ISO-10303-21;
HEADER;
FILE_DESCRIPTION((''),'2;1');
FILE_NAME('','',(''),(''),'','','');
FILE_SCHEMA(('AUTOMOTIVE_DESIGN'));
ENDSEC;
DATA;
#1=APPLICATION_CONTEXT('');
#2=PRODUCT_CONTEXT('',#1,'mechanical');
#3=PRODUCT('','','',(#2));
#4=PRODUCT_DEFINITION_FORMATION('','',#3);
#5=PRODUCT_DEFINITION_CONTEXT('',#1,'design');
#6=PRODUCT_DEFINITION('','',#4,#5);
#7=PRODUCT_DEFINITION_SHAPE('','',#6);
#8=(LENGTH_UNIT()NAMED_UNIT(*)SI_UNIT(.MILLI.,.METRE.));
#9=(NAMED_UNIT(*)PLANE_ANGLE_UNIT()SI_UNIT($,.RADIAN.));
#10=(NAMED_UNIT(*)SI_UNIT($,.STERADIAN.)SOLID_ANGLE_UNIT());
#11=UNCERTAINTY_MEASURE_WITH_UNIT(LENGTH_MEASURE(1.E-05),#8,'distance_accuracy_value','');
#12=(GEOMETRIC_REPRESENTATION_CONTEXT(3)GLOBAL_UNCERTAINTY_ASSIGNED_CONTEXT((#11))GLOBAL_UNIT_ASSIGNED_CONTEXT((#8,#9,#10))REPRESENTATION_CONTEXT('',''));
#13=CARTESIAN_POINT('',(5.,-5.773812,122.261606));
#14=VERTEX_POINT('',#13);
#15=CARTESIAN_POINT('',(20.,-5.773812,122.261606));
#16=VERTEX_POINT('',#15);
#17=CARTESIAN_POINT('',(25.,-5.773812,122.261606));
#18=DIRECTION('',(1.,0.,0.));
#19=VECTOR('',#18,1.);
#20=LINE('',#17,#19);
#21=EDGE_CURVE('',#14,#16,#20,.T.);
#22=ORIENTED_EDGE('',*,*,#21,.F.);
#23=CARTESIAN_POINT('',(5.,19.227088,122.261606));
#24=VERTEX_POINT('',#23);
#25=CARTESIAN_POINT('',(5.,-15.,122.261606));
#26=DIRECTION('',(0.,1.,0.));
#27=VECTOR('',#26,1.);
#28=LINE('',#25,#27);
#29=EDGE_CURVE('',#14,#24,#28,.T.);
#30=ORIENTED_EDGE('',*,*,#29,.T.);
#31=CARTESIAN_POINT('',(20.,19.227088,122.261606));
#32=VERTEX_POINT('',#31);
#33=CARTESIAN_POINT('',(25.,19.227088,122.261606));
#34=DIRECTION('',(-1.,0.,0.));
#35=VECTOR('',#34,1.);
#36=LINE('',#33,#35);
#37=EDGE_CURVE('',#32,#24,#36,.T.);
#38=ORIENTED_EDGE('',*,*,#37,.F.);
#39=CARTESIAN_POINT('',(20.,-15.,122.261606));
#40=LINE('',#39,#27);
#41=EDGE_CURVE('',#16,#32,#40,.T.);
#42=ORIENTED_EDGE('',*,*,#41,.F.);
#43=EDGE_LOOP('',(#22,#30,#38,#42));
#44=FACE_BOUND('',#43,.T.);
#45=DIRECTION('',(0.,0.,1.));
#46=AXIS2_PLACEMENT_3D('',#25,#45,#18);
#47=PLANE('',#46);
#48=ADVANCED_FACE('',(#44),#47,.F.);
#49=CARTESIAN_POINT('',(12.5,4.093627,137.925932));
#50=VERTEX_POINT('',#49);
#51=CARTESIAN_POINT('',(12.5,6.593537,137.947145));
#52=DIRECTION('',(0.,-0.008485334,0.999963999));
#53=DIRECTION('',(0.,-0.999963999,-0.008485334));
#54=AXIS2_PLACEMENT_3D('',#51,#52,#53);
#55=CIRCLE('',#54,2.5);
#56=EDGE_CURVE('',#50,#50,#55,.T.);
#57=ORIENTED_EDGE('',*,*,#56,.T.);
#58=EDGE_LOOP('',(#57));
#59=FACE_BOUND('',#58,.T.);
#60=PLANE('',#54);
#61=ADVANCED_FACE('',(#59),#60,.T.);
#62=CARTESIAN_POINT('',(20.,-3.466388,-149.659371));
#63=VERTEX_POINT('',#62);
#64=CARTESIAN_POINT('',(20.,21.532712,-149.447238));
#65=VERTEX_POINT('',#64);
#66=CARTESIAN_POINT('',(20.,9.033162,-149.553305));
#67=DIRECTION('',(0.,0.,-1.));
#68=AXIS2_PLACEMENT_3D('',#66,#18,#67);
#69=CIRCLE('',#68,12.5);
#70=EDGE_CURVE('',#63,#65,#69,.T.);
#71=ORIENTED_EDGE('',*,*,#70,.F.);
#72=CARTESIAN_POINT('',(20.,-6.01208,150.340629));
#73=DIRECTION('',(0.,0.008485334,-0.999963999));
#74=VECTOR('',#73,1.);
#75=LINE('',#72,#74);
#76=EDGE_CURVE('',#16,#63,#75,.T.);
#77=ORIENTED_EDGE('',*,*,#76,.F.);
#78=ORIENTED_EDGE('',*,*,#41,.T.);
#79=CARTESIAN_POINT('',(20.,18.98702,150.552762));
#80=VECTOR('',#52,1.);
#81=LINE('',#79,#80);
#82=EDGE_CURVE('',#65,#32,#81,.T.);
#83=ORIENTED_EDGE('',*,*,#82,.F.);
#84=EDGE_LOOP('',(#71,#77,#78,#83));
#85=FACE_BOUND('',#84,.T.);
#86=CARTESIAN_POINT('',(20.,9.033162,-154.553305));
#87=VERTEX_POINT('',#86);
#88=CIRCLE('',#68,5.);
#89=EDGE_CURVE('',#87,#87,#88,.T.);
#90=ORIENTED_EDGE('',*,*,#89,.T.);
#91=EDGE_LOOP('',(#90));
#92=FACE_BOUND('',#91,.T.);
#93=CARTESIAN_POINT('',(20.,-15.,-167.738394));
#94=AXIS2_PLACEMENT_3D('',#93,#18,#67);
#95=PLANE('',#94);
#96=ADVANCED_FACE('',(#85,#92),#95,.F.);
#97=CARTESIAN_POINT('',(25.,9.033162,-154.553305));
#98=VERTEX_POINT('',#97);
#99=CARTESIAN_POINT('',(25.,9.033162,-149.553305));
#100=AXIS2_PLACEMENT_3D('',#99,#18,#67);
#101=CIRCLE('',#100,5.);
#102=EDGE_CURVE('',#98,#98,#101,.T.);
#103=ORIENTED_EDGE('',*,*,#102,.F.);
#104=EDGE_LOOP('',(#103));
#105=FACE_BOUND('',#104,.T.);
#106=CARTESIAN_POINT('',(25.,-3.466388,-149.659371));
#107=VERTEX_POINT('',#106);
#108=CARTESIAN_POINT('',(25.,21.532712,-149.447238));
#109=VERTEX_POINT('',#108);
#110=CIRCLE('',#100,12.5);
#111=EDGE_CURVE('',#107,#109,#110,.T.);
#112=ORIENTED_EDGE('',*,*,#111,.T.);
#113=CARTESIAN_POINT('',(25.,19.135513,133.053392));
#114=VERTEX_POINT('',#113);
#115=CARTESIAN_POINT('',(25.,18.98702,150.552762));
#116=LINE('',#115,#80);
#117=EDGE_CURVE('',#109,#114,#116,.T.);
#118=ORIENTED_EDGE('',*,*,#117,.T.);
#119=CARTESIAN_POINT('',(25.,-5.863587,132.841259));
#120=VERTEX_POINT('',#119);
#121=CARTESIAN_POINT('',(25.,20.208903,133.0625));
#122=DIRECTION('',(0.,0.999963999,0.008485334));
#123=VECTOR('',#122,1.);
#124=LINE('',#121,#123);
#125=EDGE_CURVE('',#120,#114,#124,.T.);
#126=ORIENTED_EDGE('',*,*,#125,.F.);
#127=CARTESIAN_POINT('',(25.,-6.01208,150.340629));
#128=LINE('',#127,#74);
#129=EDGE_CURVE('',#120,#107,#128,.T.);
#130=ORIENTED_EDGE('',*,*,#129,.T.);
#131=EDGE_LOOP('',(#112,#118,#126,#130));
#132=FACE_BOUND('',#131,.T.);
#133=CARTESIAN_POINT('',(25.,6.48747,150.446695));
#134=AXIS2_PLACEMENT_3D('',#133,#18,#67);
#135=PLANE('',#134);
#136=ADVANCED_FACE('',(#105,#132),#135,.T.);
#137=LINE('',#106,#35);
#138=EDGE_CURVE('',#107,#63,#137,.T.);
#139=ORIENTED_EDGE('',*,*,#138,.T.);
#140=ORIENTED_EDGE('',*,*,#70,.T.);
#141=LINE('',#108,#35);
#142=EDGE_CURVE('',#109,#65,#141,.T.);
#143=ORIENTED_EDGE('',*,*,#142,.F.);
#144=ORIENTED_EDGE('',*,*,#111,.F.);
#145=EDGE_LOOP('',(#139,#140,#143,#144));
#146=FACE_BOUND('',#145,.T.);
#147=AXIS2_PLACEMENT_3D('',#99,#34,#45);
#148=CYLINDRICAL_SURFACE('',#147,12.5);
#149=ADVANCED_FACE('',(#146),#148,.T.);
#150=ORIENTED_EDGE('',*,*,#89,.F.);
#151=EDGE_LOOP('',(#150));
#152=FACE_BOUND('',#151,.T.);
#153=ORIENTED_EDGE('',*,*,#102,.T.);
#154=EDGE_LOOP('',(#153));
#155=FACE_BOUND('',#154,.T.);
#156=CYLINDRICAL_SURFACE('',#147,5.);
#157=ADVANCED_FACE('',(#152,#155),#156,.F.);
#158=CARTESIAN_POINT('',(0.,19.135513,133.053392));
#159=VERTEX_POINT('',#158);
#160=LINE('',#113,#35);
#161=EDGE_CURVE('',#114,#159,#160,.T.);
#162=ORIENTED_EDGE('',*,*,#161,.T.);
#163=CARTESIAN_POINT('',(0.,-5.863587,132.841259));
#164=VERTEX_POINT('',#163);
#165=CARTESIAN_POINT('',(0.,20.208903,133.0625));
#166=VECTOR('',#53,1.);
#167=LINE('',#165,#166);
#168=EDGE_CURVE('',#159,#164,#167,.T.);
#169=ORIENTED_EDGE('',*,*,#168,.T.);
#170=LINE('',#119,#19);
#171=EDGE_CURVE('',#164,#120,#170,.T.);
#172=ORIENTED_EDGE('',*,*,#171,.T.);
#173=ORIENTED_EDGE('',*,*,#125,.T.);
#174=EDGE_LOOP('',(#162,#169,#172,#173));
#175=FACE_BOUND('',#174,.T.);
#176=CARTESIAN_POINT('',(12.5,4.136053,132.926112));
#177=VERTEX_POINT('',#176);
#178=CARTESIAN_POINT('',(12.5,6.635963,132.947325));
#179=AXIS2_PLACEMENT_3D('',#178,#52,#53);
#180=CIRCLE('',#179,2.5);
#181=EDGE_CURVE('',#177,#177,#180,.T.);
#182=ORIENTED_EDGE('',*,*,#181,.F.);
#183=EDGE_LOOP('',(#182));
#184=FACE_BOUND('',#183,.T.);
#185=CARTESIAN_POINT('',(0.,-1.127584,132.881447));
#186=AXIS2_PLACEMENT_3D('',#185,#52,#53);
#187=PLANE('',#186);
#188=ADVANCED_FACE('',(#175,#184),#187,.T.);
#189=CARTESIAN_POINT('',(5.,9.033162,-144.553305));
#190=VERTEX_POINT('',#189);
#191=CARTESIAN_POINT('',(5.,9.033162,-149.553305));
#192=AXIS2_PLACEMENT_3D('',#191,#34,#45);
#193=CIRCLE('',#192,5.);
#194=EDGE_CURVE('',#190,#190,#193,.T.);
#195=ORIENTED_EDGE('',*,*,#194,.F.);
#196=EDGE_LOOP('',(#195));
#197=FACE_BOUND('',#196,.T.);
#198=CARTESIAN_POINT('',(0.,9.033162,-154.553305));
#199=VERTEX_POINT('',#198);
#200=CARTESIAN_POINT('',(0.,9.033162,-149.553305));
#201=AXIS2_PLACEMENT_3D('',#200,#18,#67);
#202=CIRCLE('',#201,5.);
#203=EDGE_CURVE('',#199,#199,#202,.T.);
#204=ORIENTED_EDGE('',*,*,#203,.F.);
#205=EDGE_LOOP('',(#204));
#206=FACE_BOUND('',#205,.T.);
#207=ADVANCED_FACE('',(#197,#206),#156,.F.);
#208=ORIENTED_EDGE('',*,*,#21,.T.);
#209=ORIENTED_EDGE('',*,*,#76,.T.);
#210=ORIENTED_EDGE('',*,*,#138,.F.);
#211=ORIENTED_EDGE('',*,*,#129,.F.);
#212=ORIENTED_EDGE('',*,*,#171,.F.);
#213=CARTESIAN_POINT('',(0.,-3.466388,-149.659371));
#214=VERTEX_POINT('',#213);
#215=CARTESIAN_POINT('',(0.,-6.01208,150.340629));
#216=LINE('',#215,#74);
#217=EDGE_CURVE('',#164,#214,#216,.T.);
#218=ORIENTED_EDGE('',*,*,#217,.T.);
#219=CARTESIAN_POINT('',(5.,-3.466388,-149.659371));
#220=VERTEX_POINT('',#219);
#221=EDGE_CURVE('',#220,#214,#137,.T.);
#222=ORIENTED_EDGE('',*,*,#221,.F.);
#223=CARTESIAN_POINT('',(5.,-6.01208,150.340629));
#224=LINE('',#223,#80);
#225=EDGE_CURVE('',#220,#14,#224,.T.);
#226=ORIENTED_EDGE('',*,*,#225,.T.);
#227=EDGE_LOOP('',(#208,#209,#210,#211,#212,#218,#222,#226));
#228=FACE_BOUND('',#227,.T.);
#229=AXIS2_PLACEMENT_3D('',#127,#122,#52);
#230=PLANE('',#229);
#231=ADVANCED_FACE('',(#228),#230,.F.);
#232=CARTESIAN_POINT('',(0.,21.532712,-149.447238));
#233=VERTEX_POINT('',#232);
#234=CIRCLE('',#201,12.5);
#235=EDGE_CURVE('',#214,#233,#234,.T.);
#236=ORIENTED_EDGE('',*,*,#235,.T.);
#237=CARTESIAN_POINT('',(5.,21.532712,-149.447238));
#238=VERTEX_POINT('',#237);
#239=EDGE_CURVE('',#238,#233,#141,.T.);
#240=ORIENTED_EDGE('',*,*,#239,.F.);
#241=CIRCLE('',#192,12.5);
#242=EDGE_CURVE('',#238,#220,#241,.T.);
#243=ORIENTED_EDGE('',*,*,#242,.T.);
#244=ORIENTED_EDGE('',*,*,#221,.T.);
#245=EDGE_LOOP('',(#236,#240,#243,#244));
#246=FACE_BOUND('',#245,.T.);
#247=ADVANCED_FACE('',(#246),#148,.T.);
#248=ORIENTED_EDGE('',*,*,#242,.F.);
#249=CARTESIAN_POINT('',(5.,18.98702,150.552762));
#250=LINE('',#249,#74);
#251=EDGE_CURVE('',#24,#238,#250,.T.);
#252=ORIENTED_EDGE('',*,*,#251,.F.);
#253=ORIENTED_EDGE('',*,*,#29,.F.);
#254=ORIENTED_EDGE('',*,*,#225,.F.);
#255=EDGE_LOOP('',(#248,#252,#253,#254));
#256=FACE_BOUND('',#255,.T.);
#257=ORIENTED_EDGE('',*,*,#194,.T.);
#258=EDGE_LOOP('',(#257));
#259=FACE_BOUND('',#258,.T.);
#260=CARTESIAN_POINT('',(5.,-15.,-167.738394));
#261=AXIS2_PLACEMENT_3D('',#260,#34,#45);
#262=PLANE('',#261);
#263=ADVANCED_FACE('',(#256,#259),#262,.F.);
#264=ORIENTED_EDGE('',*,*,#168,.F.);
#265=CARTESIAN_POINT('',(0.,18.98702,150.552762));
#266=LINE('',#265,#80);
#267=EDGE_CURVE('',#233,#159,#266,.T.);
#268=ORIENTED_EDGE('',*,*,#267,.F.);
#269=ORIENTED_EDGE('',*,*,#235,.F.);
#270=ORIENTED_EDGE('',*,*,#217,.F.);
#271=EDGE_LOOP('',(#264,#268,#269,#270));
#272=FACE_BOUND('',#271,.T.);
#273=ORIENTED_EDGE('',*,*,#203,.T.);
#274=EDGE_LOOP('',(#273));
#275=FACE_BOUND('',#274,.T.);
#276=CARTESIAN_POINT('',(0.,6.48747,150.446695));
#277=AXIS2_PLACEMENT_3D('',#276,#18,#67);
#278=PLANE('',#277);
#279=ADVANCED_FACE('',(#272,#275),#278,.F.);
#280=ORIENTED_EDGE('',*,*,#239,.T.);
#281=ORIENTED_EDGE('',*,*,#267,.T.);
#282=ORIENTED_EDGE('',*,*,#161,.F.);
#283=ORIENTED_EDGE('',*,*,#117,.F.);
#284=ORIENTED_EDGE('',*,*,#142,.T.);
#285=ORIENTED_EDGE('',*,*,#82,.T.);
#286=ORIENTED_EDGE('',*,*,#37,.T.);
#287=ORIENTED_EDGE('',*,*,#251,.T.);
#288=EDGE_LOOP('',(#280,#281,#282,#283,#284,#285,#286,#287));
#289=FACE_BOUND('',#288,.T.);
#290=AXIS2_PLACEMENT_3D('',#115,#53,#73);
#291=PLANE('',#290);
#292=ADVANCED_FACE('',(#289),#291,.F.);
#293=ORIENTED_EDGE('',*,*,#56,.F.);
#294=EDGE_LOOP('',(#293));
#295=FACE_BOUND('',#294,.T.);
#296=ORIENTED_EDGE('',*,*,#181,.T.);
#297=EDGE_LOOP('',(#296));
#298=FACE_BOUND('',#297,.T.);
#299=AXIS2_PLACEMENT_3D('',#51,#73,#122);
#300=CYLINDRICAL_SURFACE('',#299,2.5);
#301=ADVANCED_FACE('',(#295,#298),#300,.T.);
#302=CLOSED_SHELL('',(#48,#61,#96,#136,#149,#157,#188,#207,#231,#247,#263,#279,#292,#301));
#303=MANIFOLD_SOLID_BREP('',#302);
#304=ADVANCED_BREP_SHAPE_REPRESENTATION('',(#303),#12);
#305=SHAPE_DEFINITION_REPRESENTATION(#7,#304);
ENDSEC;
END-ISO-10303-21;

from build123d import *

# Parameters (mm, degrees)
SKETCH1_R               = 5
BOSS_EXTRUDE1_DEPTH     = 25
CUT_EXTRUDE1_DEPTH      = 35
CUT_EXTRUDE1_DEPTH_BACK = 15
SKETCH2_W               = 15
SKETCH2_H               = 290
SKETCH3_R               = 5
CUT_EXTRUDE4_DEPTH      = 40
SKETCH7_W               = 25
SKETCH7_H               = 28.664698835
CUT_EXTRUDE7_DEPTH      = 30
SKETCH9_R               = 2.5
BOSS_EXTRUDE3_DEPTH     = 5


with BuildPart() as part:
    # Sketch1 → Boss-Extrude1 (new body)
    with BuildSketch(Plane(origin=(0, 0, 0), x_dir=(0, 0, -1), z_dir=(1, 0, 0))):
        with BuildLine():
            Line((-150.552761917, 18.987019815), (149.447238083, 21.532711721))
            ThreePointArc((149.447238083, 21.532711721), (162.052854746, 9.139228412), (149.659371437, -3.466388252))
            Line((149.659371437, -3.466388252), (-150.340628563, -6.012080158))
            ThreePointArc((-150.340628563, -6.012080158), (-162.946245226, 6.381403151), (-150.552761917, 18.987019815))
        make_face()
        with Locations((149.55330476, 9.033161734)):
            Circle(SKETCH1_R, mode=Mode.SUBTRACT)
    extrude(amount=BOSS_EXTRUDE1_DEPTH)

    # Sketch2 → Cut-Extrude1 (cut, two sides: drawn at the far end of the back side and taken through both)
    with BuildSketch(Plane(origin=(0, 0, 0), x_dir=(1, 0, 0), z_dir=(0, 1, 0)).offset(-CUT_EXTRUDE1_DEPTH_BACK)):
        with Locations((12.5, 22.738394002)):
            Rectangle(SKETCH2_W, SKETCH2_H)
    extrude(amount=CUT_EXTRUDE1_DEPTH + CUT_EXTRUDE1_DEPTH_BACK, mode=Mode.SUBTRACT)

    # Sketch3 → Cut-Extrude4 (cut)
    with BuildSketch(Plane(origin=(25, 0, 0), x_dir=(0, 0, -1), z_dir=(1, 0, 0))):
        with Locations((-150.44669524, 6.487469828)):
            Circle(SKETCH3_R)
    extrude(amount=-CUT_EXTRUDE4_DEPTH, mode=Mode.SUBTRACT)

    # Sketch7 → Cut-Extrude7 (cut)
    with BuildSketch(Plane(origin=(0, -1.382144103, 162.880366562), x_dir=(1, 0, 0), z_dir=(0, -0.008485334194353043, 0.9999639989037656))):
        with Locations((12.5, 7.004905365)):
            Rectangle(SKETCH7_W, SKETCH7_H)
    extrude(amount=-CUT_EXTRUDE7_DEPTH, mode=Mode.SUBTRACT)

    # Sketch9 → Boss-Extrude3 (add)
    with BuildSketch(Plane(origin=(0, -1.127584077, 132.881446595), x_dir=(1, 0, 0), z_dir=(0, -0.008485334194353164, 0.9999639989037656))):
        with Locations(Location((12.5, 7.76382676, 0), (0, 0, 270))):
            Circle(SKETCH9_R)
    extrude(amount=BOSS_EXTRUDE3_DEPTH)


solid = part.part
